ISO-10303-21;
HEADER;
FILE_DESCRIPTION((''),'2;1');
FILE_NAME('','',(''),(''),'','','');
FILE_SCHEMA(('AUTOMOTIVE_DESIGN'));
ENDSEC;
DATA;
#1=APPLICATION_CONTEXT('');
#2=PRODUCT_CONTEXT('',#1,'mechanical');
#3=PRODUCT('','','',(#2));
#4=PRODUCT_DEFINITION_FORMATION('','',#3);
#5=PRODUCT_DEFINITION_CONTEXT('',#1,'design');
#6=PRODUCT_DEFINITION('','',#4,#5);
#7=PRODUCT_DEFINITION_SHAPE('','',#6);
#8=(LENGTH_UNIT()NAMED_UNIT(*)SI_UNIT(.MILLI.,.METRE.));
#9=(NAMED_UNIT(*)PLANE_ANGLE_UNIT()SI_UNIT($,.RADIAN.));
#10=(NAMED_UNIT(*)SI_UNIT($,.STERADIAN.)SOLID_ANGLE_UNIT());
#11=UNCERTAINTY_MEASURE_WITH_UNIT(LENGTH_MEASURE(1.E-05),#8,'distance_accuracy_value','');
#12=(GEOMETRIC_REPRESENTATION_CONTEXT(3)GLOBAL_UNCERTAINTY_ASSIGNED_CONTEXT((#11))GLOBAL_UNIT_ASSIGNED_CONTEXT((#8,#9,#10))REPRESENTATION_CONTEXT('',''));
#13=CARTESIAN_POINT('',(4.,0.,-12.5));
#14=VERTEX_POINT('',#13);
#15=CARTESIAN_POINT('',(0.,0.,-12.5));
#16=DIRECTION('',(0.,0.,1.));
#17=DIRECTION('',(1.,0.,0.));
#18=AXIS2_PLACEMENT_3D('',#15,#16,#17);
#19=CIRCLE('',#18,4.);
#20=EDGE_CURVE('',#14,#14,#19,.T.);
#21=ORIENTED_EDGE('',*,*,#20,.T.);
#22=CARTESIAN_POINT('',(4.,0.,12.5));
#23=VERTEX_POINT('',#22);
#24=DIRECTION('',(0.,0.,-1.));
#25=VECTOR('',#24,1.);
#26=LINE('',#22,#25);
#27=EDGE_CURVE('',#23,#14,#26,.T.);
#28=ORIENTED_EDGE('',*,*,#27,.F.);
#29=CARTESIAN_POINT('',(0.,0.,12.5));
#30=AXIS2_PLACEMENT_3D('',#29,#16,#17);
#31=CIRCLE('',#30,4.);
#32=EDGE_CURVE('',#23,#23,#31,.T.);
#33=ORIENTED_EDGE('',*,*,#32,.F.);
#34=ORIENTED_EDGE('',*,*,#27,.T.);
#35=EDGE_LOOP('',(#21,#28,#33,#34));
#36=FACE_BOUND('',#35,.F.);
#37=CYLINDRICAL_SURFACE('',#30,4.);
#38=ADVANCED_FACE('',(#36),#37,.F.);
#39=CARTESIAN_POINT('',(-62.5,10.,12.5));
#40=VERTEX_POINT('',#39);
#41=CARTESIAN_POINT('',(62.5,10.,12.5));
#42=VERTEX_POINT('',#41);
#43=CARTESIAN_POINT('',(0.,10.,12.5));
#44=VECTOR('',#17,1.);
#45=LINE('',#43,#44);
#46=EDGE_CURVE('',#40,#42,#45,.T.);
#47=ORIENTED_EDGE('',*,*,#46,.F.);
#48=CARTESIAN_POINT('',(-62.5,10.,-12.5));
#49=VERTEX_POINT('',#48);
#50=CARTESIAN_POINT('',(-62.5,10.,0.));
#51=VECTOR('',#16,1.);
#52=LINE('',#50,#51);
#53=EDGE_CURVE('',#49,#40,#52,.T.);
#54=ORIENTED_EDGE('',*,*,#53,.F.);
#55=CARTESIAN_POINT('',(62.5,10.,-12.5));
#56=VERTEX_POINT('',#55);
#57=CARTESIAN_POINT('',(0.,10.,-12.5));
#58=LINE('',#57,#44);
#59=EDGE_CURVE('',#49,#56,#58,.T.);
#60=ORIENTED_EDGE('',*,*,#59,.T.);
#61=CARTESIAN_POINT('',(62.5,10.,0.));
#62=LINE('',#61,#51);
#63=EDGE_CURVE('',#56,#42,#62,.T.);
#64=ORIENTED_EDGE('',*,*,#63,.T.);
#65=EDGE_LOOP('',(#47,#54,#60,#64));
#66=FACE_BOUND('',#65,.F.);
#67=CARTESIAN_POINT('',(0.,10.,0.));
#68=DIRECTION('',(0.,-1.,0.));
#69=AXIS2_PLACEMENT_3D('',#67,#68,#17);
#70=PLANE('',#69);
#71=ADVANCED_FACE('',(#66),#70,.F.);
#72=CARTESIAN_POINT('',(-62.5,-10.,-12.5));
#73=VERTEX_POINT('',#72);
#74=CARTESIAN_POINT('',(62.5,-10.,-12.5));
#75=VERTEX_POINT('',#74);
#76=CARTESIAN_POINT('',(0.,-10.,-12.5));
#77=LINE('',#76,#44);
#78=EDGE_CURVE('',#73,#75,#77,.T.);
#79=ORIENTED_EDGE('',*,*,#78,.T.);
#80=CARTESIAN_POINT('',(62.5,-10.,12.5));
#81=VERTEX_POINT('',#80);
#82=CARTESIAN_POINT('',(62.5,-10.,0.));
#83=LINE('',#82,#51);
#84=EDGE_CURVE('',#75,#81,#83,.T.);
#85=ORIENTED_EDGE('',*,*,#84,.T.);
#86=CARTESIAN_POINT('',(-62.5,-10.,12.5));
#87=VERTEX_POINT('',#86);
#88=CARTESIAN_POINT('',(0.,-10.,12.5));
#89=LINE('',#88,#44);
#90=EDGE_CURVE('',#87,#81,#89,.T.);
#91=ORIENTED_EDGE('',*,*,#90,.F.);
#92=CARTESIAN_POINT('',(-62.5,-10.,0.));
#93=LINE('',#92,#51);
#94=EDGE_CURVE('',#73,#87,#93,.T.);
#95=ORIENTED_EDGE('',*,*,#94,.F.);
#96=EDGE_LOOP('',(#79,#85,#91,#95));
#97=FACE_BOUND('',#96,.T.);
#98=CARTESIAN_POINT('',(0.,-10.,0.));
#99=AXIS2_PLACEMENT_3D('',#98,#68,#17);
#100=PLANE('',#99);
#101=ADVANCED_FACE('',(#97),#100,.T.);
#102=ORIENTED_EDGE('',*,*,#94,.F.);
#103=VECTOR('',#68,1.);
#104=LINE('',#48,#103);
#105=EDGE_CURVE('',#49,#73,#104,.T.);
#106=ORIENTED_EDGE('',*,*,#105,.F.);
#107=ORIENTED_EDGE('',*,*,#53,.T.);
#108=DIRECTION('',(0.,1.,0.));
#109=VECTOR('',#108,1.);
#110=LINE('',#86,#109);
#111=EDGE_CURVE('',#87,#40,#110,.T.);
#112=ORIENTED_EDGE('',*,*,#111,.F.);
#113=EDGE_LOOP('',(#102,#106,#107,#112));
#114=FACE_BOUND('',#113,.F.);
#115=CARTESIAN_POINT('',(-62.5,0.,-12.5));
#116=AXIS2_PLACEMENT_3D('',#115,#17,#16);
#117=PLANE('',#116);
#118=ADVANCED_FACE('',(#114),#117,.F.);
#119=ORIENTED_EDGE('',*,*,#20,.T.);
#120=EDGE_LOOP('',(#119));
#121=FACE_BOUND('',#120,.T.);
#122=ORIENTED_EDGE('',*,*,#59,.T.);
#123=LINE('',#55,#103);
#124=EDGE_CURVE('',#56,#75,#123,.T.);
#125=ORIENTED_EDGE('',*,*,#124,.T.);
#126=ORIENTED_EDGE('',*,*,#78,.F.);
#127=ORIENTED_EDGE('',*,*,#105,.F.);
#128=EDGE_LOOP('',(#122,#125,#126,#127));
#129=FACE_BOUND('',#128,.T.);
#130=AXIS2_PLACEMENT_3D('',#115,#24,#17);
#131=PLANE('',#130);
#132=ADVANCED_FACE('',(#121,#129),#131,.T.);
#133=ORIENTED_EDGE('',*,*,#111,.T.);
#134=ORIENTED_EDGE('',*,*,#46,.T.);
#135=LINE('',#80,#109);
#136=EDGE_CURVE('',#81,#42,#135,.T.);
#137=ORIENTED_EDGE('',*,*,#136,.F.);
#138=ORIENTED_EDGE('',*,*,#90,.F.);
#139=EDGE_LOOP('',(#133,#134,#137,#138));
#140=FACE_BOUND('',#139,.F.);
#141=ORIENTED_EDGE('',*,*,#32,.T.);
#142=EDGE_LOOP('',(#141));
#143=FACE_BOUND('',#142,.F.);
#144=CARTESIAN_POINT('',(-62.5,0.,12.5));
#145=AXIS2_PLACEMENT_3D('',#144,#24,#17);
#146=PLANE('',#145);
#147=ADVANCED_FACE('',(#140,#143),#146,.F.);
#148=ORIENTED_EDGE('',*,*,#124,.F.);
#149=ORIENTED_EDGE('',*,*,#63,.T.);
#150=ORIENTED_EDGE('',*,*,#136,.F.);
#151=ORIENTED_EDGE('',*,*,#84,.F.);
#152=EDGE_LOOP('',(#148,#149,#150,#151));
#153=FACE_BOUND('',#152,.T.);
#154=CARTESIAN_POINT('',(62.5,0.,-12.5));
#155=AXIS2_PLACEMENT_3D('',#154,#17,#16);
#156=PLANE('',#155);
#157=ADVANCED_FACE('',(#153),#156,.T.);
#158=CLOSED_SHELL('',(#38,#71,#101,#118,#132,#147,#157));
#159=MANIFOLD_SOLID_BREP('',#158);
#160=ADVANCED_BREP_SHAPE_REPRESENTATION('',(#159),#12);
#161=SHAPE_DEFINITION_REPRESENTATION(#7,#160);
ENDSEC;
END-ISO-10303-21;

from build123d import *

# Parameters (mm, degrees)
F0_W     = 125
F0_H     = 25
F1_DEPTH = 10
F2_R     = 4
F3_DEPTH = 25


with BuildPart() as f1:
    # F0 (on Front) → F1 (new body, symmetric)
    with BuildSketch(Plane.XZ):
        Rectangle(F0_W, F0_H)
    extrude(amount=F1_DEPTH, both=True)

    # F2 (on face) → F3 (cut)
    with BuildSketch(Plane.XY.offset(12.5)):
        Circle(F2_R)
    extrude(amount=-F3_DEPTH, mode=Mode.SUBTRACT)


solid = f1.part
